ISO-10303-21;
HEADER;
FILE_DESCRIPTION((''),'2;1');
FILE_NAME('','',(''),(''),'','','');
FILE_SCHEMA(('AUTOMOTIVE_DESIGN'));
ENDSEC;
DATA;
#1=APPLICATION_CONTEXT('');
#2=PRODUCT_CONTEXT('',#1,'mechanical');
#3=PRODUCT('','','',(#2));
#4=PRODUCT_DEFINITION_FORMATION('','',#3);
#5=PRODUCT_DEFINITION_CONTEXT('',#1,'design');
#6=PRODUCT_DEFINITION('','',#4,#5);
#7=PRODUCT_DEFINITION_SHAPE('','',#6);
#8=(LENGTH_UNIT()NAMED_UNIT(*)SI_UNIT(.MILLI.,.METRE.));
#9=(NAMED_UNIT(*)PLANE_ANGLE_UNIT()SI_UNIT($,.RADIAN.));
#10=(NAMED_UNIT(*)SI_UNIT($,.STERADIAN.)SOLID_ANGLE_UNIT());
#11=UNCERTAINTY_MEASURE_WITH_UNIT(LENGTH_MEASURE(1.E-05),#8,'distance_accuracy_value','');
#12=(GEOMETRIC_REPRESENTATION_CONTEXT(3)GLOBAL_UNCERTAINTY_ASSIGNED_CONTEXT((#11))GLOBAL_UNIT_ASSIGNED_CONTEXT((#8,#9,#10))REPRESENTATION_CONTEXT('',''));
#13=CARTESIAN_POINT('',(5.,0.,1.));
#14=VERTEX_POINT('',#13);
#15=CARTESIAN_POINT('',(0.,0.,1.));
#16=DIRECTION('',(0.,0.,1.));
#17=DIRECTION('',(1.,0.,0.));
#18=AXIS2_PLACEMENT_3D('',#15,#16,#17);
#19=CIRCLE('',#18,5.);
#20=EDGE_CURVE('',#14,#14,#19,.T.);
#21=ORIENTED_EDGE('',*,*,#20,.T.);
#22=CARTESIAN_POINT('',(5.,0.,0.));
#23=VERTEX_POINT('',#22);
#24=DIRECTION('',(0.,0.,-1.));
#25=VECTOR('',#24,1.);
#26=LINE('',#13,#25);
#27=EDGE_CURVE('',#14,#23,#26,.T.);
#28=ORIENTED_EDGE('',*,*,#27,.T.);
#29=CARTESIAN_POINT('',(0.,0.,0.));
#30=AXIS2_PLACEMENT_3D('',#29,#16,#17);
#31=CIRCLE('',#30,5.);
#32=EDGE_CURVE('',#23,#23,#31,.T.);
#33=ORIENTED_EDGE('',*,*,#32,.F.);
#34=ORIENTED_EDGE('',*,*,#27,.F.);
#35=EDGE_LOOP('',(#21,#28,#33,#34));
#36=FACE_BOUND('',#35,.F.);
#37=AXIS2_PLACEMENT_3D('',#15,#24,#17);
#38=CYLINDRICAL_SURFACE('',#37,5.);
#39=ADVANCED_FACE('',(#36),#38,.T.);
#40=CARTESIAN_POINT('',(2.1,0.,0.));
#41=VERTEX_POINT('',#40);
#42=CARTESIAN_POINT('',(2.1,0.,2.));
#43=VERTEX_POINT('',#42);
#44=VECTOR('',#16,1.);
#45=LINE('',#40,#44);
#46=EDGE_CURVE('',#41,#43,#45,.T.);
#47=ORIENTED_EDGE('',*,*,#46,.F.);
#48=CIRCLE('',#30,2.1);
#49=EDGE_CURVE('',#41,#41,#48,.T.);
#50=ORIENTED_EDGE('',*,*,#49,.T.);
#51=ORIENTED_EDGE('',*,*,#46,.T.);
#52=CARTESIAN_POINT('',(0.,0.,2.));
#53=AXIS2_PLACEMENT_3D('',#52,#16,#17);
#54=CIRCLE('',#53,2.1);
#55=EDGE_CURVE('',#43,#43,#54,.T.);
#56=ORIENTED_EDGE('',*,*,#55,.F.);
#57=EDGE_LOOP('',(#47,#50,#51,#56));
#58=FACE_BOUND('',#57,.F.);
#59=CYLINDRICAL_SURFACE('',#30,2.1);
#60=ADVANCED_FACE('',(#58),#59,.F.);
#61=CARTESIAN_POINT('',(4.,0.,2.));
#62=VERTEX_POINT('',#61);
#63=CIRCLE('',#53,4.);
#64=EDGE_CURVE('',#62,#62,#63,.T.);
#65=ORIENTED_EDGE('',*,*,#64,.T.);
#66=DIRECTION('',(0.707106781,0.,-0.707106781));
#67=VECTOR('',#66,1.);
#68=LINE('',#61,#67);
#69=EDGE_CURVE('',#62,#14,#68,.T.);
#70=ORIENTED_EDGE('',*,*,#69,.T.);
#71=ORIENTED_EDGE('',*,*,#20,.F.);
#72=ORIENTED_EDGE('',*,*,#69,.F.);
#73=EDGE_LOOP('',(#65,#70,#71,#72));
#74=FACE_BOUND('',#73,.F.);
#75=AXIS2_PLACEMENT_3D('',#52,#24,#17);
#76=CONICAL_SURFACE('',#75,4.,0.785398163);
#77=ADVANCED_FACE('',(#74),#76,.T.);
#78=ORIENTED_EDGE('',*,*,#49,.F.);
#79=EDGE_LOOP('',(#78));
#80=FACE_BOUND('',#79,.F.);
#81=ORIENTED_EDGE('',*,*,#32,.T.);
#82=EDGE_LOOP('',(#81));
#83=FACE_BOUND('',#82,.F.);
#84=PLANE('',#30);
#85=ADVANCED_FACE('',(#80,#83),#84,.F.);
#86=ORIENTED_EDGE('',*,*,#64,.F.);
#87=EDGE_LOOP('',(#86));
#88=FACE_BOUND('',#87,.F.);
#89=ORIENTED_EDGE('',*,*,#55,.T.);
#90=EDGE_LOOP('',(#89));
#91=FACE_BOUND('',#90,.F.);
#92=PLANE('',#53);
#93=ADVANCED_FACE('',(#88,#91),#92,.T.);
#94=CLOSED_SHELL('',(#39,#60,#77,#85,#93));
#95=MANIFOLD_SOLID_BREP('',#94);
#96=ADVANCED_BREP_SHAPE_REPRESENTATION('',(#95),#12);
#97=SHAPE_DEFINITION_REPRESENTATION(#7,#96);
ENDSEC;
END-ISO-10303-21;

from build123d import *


with BuildPart() as part:
    # Sketch → Revolution (revolve)
    with BuildSketch(Plane.XZ):
        Polygon((2.1, 0), (2.1, 2), (4, 2), (5, 1), (5, 0), align=None)
    revolve(axis=Axis((0, 0, 0), (0, 0, 1)))


solid = part.part
